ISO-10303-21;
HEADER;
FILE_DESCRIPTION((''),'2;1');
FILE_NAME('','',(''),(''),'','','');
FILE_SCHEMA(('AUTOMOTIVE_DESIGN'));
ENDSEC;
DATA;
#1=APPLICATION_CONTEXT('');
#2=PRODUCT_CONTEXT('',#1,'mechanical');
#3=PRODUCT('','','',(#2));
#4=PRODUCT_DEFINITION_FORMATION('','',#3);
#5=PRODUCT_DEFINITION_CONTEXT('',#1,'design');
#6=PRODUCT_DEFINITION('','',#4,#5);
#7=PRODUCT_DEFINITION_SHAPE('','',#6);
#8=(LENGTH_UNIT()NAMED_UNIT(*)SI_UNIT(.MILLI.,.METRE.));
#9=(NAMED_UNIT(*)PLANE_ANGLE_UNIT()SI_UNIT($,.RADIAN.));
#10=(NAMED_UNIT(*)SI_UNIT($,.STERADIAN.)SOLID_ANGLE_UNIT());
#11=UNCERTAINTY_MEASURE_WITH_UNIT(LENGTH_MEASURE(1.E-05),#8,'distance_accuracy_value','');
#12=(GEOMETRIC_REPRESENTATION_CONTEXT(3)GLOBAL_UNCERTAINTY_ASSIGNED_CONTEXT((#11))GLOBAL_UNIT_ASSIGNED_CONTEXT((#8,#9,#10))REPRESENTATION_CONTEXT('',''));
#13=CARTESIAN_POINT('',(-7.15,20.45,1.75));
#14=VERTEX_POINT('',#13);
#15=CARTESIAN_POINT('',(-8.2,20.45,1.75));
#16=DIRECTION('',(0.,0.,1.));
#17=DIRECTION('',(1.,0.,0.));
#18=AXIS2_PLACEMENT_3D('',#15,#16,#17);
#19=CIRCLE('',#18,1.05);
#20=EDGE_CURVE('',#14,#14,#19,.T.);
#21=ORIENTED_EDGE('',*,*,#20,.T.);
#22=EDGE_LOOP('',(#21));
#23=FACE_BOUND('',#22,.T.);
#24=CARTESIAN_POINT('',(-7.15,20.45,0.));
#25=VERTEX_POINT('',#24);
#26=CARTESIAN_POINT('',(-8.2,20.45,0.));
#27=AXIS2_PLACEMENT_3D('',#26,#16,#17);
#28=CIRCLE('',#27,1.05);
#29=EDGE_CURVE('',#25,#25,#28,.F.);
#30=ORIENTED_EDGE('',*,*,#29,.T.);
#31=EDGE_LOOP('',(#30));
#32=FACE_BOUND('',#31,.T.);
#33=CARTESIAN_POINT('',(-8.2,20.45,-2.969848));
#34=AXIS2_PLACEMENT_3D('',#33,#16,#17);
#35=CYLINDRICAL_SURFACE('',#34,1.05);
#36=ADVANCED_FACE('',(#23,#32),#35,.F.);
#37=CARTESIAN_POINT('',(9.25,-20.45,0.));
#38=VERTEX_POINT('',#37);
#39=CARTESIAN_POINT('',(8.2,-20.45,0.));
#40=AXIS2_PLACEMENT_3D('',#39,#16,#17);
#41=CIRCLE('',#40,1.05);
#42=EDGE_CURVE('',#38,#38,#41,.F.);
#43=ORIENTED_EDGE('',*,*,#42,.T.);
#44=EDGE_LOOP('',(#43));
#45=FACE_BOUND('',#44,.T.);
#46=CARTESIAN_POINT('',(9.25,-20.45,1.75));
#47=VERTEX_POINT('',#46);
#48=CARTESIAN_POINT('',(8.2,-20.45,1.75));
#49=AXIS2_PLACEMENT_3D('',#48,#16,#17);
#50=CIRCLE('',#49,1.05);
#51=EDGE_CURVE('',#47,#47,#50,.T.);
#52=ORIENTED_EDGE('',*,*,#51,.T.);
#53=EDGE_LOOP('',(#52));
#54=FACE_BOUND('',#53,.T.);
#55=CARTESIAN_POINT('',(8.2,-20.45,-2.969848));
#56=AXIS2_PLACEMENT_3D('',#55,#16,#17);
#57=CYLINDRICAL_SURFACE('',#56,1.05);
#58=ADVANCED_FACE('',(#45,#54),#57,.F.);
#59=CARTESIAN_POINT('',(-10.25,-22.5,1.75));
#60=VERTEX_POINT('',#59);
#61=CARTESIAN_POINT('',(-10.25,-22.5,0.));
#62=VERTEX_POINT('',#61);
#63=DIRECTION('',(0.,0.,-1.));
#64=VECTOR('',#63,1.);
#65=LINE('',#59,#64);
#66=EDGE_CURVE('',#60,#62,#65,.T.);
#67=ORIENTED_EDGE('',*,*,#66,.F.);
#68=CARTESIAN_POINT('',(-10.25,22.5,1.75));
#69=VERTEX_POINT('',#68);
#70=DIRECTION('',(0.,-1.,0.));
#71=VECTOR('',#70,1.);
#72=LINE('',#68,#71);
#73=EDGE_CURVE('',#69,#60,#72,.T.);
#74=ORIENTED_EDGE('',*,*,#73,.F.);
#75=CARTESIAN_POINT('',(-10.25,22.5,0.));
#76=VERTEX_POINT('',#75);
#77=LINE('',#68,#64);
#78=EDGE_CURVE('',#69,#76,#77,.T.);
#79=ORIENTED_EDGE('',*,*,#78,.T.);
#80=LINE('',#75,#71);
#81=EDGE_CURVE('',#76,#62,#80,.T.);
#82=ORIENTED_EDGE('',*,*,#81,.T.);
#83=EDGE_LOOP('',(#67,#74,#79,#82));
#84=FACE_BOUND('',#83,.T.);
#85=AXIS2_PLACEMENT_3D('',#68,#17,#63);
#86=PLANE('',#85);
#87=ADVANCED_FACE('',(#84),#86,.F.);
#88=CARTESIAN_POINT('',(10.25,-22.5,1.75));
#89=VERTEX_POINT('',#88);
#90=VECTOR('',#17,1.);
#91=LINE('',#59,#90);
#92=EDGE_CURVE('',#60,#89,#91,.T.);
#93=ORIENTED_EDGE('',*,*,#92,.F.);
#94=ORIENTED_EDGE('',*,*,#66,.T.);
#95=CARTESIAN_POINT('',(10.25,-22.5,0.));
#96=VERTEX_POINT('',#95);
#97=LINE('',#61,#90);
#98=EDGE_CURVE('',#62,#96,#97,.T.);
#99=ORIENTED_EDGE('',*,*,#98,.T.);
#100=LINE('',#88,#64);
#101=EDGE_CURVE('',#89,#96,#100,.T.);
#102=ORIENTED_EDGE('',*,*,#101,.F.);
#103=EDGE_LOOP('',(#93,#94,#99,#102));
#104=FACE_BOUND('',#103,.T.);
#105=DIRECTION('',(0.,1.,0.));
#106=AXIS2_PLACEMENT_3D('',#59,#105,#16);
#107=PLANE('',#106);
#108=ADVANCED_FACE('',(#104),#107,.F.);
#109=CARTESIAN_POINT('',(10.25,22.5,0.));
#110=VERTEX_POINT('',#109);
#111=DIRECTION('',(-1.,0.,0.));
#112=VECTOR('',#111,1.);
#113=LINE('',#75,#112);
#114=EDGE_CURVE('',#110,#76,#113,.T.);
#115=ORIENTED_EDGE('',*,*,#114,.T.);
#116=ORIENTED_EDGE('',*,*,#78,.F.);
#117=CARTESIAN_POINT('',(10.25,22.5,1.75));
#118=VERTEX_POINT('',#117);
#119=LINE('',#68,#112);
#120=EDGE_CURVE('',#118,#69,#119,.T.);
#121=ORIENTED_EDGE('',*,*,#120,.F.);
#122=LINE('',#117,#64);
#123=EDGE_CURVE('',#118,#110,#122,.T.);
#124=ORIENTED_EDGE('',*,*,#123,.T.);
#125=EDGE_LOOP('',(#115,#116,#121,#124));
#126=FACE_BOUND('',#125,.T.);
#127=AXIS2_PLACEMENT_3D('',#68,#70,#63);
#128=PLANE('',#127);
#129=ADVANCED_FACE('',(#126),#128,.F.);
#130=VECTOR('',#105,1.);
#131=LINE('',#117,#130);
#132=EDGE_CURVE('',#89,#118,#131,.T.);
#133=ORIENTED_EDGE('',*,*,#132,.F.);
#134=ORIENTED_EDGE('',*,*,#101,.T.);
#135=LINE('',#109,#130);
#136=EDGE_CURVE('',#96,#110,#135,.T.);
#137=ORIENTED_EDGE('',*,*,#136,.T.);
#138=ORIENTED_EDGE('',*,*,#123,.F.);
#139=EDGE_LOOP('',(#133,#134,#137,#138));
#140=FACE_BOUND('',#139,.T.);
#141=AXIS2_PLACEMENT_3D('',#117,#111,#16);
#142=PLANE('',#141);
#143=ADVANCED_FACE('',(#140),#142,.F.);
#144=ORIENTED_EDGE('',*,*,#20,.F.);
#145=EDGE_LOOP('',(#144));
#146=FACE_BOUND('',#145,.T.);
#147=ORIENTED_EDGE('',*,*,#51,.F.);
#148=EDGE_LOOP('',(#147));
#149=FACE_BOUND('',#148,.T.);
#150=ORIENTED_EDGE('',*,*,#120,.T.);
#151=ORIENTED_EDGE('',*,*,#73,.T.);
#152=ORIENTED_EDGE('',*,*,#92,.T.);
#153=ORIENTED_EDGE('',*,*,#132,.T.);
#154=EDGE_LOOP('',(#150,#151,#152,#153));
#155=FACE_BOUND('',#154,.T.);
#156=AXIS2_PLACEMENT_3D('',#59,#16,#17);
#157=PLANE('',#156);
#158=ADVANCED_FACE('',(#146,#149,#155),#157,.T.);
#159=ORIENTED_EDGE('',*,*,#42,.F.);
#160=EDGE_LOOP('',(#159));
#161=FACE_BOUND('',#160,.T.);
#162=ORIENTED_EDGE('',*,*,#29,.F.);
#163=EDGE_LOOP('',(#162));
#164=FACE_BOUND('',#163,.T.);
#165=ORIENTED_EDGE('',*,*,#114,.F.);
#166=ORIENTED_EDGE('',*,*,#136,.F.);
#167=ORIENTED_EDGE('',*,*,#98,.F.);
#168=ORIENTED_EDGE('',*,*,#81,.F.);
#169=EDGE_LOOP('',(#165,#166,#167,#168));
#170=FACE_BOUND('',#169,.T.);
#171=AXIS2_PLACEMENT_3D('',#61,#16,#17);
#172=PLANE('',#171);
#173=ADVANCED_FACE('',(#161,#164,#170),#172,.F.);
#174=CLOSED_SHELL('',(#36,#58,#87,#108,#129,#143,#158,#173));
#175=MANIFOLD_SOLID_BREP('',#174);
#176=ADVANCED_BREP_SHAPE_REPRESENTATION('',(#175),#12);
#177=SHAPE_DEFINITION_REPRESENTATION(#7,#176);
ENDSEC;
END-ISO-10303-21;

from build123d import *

# Parameters (mm, degrees)
SKETCH1_W          = 20.5
SKETCH1_H          = 45
EXTRUDE1_DEPTH     = 1.75
SKETCH2_R          = 1.05
CUT_EXTRUDE1_DEPTH = 1.75


with BuildPart() as part:
    # Sketch1 → Extrude1 (new body)
    with BuildSketch(Plane.XY):
        Rectangle(SKETCH1_W, SKETCH1_H)
    extrude(amount=EXTRUDE1_DEPTH)

    # Sketch2 → Cut-Extrude1 (cut)
    with BuildSketch(Plane.XY.offset(1.75)):
        with Locations((8.2, -20.45)):
            Circle(SKETCH2_R)
        with Locations((-8.2, 20.45)):
            Circle(SKETCH2_R)
    extrude(amount=-CUT_EXTRUDE1_DEPTH, mode=Mode.SUBTRACT)


solid = part.part
